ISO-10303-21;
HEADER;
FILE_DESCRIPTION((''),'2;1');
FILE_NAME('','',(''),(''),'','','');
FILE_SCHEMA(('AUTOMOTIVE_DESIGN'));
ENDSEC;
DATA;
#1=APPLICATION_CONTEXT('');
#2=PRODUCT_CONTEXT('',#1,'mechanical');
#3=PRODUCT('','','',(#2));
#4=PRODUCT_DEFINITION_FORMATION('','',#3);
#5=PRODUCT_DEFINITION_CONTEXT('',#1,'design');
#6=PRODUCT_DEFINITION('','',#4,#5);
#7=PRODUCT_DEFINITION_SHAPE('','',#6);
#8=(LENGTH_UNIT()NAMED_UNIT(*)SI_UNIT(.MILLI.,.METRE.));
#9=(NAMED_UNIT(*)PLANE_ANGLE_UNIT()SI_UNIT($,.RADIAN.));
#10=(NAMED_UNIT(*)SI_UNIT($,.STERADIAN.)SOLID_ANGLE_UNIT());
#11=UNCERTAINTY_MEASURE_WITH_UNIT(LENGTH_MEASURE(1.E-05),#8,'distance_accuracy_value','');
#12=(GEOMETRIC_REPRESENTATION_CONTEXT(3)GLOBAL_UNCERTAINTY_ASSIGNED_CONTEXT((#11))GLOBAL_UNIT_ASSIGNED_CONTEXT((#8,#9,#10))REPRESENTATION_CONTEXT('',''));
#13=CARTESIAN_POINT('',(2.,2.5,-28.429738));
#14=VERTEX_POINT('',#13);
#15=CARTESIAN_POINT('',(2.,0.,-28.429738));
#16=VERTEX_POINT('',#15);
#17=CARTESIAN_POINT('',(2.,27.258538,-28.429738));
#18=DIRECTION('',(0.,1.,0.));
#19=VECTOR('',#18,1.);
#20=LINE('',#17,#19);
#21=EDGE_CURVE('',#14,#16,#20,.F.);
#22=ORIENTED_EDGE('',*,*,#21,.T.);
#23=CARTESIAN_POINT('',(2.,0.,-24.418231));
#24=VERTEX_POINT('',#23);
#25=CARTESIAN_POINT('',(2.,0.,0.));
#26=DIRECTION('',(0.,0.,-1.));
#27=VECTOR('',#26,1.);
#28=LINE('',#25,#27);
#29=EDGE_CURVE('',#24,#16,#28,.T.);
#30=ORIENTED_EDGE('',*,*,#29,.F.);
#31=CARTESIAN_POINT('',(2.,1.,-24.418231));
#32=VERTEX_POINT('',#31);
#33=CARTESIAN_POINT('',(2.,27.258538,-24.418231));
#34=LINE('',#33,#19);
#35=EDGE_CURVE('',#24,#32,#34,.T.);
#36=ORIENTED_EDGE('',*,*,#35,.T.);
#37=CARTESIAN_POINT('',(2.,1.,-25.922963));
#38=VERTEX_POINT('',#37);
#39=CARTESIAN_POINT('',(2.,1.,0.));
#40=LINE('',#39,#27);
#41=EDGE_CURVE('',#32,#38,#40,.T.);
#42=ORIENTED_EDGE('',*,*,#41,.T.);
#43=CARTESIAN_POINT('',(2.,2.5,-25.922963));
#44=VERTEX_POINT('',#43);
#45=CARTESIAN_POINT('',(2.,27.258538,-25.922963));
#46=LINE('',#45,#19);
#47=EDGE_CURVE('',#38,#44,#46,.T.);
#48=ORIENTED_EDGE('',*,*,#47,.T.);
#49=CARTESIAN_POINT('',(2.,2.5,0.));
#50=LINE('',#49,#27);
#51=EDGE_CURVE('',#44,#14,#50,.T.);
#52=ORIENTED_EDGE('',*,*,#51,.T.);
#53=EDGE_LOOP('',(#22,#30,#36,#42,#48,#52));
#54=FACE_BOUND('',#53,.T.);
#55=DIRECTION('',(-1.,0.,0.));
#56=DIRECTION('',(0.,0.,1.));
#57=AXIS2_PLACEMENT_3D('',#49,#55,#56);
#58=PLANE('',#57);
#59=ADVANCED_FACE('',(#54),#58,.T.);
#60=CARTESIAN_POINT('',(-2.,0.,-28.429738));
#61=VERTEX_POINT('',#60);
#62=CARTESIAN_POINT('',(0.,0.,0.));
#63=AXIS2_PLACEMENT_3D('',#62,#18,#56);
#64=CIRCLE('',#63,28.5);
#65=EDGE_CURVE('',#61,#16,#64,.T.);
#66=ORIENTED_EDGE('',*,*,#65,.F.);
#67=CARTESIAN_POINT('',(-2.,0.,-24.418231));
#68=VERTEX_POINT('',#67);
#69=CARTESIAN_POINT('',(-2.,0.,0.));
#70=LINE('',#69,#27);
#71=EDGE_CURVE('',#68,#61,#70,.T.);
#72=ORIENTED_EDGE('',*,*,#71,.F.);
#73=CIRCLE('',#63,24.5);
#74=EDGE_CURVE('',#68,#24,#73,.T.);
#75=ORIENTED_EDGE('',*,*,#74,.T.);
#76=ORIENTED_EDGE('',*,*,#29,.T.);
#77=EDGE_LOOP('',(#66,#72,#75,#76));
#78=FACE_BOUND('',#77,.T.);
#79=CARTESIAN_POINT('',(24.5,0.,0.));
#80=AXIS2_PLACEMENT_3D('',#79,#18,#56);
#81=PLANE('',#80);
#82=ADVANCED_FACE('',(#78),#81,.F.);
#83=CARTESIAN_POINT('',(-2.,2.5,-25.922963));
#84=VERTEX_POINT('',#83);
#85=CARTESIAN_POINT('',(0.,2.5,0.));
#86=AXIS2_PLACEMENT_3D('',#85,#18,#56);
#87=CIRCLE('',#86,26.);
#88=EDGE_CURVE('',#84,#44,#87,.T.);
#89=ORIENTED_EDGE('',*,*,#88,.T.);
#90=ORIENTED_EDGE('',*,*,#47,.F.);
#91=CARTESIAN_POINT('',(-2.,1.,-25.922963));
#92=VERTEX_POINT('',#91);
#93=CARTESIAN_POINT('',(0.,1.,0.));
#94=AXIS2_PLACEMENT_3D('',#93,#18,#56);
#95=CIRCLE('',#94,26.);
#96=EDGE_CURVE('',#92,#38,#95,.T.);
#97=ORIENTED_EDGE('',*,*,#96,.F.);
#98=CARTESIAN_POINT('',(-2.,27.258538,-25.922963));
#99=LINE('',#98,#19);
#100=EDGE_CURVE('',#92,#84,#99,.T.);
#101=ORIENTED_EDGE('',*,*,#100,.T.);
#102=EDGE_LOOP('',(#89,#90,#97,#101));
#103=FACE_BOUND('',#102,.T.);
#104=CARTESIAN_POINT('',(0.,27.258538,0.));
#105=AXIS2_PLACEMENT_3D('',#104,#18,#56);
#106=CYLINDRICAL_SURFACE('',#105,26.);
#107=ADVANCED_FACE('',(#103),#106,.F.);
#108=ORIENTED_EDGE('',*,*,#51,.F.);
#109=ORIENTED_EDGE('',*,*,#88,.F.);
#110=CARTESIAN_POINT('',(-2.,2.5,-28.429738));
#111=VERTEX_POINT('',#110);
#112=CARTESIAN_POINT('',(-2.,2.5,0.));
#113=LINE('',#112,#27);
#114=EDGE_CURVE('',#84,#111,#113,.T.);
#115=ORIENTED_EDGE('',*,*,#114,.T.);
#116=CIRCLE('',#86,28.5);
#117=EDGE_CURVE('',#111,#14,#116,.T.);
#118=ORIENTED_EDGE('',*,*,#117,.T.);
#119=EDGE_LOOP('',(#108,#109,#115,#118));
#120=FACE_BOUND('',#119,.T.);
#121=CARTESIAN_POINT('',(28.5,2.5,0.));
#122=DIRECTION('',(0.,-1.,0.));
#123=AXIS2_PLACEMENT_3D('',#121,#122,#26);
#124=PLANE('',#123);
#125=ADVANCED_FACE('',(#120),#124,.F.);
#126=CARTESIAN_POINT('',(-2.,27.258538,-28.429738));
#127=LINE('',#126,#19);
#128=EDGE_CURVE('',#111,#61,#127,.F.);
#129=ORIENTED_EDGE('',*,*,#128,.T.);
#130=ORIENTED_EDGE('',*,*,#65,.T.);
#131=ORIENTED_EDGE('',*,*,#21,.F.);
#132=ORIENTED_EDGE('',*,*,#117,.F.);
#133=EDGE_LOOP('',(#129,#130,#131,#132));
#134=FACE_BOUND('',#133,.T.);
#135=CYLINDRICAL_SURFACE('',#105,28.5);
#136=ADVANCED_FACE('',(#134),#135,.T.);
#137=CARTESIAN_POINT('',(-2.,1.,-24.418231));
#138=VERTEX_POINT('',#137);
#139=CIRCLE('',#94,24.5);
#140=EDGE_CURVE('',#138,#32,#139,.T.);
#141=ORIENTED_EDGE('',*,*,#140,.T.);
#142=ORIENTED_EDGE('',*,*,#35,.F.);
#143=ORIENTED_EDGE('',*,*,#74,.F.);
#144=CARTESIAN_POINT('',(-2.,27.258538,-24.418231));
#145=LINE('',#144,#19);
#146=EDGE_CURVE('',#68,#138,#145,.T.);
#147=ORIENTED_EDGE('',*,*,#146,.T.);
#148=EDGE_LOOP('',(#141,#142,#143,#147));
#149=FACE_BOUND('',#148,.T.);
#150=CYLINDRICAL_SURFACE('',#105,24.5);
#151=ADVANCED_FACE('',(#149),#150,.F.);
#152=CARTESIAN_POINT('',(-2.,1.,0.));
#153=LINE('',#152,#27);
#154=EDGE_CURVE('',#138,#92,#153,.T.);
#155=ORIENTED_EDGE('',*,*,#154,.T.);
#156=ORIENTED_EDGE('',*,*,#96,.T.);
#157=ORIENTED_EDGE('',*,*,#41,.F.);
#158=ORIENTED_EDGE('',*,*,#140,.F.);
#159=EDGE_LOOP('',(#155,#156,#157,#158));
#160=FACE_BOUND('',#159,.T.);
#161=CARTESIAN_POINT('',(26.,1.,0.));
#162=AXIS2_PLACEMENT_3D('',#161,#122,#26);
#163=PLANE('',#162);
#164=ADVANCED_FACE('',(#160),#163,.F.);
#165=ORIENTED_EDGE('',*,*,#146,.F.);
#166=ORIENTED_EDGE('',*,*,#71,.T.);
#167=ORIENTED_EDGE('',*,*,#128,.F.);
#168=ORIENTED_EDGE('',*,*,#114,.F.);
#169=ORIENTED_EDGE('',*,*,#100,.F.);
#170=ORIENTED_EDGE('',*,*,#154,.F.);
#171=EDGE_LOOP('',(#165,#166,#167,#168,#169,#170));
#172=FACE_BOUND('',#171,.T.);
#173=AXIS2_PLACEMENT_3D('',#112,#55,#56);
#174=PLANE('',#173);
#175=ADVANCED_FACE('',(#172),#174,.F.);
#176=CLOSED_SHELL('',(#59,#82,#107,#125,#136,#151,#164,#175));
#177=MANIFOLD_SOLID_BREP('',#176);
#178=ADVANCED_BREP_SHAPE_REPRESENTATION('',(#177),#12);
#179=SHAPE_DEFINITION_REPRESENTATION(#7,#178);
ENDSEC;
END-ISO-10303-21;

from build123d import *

# Parameters (mm, degrees)
SKETCH_2_W          = 4
SKETCH_2_H          = 52
CUT_EXTRUDE_5_DEPTH = 3.5


with BuildPart() as part:
    # Эскиз1 → Повернуть1 (revolve)
    with BuildSketch(Plane.XY):
        Polygon((24.5, 0), (28.5, 0), (28.5, 2.5), (26, 2.5), (26, 1), (24.5, 1), align=None)
    revolve(axis=Axis((0, 27.258538146, 0), (0, -1, 0)))

    # Эскиз2 → Вырез-Вытянуть5 (cut, through all)
    with BuildSketch(Plane(origin=(0, 0, 0), x_dir=(1, 0, 0), z_dir=(0, 1, 0))):
        with Locations((0, 26)):
            Rectangle(SKETCH_2_W, SKETCH_2_H)
    extrude(amount=CUT_EXTRUDE_5_DEPTH, mode=Mode.SUBTRACT)


solid = part.part
